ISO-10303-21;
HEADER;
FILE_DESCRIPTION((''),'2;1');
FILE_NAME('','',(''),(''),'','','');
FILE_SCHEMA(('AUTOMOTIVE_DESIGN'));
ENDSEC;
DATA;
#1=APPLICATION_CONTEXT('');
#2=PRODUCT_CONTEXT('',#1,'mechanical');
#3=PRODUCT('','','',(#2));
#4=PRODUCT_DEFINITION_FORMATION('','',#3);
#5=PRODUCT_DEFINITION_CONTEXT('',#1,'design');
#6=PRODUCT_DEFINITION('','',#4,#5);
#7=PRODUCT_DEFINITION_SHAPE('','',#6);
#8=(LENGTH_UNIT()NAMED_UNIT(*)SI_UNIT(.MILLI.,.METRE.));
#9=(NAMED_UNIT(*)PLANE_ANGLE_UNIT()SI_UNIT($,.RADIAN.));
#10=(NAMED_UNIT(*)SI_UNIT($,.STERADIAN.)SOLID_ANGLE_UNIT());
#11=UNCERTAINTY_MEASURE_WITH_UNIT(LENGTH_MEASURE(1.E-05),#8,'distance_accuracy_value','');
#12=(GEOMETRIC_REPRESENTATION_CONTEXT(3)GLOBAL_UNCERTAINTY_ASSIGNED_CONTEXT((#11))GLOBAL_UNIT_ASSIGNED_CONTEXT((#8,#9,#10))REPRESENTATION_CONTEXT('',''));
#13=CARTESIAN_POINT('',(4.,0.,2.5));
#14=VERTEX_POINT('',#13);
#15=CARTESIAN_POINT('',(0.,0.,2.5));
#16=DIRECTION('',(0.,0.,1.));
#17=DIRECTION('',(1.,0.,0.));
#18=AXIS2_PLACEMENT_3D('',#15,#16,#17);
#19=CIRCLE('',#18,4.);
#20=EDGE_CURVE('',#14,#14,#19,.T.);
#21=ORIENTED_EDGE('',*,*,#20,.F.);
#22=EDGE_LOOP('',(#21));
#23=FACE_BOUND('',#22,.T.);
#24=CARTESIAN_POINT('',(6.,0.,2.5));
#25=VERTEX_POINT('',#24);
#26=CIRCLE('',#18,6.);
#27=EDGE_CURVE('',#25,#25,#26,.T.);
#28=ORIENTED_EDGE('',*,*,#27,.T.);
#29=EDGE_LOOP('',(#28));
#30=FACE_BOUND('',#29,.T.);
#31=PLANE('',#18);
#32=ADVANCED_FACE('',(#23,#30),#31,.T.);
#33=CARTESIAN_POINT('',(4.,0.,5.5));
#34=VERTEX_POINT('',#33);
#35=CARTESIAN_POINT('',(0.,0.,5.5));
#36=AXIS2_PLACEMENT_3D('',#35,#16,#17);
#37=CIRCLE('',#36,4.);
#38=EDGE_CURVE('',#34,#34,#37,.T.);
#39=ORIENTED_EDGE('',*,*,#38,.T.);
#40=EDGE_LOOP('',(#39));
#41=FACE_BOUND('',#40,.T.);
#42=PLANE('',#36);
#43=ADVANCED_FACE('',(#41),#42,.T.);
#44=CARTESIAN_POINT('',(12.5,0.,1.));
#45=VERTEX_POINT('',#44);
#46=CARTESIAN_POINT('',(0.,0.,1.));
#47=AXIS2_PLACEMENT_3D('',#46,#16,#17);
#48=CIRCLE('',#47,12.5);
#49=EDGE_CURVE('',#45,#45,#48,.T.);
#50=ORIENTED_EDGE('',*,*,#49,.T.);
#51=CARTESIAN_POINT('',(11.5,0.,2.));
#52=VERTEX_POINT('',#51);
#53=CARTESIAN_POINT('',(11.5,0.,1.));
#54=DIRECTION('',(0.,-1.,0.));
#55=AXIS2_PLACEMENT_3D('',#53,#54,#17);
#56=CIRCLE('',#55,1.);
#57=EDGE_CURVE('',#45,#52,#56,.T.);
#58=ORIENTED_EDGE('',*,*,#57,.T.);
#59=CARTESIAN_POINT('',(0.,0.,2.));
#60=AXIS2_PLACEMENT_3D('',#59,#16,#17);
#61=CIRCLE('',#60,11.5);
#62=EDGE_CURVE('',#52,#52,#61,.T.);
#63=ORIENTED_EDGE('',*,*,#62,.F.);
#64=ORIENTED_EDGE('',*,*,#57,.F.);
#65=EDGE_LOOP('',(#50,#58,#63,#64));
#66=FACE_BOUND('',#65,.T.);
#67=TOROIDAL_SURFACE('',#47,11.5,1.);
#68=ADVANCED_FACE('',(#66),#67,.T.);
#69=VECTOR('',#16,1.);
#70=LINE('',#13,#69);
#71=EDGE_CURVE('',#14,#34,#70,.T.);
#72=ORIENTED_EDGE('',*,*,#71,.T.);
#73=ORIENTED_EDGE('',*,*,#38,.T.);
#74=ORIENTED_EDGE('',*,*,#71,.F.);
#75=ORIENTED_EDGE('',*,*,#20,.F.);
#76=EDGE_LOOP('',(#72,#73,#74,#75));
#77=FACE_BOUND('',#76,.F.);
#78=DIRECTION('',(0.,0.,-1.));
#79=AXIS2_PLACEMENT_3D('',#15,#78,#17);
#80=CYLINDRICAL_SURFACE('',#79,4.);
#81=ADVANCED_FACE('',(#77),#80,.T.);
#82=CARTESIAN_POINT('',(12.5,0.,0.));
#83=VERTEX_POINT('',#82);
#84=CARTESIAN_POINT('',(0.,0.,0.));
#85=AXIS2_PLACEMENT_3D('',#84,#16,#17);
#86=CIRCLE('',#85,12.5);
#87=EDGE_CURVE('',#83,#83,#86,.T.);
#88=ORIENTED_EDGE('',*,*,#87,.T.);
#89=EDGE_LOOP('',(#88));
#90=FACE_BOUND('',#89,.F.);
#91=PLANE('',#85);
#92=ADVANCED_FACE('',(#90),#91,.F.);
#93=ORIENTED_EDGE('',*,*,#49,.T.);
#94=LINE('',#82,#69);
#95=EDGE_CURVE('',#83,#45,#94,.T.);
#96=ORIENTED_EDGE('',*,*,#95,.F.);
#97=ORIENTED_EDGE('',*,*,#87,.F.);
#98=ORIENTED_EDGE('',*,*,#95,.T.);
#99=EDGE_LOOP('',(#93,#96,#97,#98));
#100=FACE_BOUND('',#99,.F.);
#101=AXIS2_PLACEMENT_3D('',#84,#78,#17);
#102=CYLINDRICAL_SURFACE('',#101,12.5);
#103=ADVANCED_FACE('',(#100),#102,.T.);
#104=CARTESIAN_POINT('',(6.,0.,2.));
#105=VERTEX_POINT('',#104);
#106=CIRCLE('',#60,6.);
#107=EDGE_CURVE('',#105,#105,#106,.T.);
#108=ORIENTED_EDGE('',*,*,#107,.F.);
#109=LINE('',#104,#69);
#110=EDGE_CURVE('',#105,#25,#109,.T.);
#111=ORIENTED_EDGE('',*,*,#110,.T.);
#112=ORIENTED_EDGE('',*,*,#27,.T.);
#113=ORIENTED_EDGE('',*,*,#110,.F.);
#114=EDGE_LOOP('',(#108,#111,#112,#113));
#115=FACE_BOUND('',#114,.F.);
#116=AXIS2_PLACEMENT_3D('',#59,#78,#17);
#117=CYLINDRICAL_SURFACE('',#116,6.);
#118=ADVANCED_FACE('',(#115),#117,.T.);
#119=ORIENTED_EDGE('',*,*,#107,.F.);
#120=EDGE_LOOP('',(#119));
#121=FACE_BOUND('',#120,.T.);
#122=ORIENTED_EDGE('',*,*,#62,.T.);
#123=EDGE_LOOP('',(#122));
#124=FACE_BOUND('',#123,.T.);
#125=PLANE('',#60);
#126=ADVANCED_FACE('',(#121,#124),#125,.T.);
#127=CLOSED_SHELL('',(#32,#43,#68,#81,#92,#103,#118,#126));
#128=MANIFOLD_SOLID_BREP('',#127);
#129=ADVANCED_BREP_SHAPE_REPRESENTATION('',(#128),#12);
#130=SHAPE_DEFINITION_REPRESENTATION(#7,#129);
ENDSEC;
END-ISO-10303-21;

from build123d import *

# Parameters (mm, degrees)
F0_R     = 12.5
F1_DEPTH = 2
F2_R     = 1
F3_R     = 6
F4_DEPTH = 0.5
F5_R     = 4
F6_DEPTH = 3


with BuildPart() as f1:
    # F0 (on Top) → F1 (new body)
    with BuildSketch(Plane.XY):
        Circle(F0_R)
    extrude(amount=F1_DEPTH)

    # F2
    f2_edges = [f1.edges().sort_by_distance(p)[0] for p in [
        (-12.5, 0, 2),
    ]]
    fillet(f2_edges, radius=F2_R)

    # F3 (on face) → F4 (join)
    with BuildSketch(Plane.XY.offset(2)):
        Circle(F3_R)
    extrude(amount=F4_DEPTH)

    # F5 (on face) → F6 (join)
    with BuildSketch(Plane.XY.offset(2.5)):
        Circle(F5_R)
    extrude(amount=F6_DEPTH)


solid = f1.part
